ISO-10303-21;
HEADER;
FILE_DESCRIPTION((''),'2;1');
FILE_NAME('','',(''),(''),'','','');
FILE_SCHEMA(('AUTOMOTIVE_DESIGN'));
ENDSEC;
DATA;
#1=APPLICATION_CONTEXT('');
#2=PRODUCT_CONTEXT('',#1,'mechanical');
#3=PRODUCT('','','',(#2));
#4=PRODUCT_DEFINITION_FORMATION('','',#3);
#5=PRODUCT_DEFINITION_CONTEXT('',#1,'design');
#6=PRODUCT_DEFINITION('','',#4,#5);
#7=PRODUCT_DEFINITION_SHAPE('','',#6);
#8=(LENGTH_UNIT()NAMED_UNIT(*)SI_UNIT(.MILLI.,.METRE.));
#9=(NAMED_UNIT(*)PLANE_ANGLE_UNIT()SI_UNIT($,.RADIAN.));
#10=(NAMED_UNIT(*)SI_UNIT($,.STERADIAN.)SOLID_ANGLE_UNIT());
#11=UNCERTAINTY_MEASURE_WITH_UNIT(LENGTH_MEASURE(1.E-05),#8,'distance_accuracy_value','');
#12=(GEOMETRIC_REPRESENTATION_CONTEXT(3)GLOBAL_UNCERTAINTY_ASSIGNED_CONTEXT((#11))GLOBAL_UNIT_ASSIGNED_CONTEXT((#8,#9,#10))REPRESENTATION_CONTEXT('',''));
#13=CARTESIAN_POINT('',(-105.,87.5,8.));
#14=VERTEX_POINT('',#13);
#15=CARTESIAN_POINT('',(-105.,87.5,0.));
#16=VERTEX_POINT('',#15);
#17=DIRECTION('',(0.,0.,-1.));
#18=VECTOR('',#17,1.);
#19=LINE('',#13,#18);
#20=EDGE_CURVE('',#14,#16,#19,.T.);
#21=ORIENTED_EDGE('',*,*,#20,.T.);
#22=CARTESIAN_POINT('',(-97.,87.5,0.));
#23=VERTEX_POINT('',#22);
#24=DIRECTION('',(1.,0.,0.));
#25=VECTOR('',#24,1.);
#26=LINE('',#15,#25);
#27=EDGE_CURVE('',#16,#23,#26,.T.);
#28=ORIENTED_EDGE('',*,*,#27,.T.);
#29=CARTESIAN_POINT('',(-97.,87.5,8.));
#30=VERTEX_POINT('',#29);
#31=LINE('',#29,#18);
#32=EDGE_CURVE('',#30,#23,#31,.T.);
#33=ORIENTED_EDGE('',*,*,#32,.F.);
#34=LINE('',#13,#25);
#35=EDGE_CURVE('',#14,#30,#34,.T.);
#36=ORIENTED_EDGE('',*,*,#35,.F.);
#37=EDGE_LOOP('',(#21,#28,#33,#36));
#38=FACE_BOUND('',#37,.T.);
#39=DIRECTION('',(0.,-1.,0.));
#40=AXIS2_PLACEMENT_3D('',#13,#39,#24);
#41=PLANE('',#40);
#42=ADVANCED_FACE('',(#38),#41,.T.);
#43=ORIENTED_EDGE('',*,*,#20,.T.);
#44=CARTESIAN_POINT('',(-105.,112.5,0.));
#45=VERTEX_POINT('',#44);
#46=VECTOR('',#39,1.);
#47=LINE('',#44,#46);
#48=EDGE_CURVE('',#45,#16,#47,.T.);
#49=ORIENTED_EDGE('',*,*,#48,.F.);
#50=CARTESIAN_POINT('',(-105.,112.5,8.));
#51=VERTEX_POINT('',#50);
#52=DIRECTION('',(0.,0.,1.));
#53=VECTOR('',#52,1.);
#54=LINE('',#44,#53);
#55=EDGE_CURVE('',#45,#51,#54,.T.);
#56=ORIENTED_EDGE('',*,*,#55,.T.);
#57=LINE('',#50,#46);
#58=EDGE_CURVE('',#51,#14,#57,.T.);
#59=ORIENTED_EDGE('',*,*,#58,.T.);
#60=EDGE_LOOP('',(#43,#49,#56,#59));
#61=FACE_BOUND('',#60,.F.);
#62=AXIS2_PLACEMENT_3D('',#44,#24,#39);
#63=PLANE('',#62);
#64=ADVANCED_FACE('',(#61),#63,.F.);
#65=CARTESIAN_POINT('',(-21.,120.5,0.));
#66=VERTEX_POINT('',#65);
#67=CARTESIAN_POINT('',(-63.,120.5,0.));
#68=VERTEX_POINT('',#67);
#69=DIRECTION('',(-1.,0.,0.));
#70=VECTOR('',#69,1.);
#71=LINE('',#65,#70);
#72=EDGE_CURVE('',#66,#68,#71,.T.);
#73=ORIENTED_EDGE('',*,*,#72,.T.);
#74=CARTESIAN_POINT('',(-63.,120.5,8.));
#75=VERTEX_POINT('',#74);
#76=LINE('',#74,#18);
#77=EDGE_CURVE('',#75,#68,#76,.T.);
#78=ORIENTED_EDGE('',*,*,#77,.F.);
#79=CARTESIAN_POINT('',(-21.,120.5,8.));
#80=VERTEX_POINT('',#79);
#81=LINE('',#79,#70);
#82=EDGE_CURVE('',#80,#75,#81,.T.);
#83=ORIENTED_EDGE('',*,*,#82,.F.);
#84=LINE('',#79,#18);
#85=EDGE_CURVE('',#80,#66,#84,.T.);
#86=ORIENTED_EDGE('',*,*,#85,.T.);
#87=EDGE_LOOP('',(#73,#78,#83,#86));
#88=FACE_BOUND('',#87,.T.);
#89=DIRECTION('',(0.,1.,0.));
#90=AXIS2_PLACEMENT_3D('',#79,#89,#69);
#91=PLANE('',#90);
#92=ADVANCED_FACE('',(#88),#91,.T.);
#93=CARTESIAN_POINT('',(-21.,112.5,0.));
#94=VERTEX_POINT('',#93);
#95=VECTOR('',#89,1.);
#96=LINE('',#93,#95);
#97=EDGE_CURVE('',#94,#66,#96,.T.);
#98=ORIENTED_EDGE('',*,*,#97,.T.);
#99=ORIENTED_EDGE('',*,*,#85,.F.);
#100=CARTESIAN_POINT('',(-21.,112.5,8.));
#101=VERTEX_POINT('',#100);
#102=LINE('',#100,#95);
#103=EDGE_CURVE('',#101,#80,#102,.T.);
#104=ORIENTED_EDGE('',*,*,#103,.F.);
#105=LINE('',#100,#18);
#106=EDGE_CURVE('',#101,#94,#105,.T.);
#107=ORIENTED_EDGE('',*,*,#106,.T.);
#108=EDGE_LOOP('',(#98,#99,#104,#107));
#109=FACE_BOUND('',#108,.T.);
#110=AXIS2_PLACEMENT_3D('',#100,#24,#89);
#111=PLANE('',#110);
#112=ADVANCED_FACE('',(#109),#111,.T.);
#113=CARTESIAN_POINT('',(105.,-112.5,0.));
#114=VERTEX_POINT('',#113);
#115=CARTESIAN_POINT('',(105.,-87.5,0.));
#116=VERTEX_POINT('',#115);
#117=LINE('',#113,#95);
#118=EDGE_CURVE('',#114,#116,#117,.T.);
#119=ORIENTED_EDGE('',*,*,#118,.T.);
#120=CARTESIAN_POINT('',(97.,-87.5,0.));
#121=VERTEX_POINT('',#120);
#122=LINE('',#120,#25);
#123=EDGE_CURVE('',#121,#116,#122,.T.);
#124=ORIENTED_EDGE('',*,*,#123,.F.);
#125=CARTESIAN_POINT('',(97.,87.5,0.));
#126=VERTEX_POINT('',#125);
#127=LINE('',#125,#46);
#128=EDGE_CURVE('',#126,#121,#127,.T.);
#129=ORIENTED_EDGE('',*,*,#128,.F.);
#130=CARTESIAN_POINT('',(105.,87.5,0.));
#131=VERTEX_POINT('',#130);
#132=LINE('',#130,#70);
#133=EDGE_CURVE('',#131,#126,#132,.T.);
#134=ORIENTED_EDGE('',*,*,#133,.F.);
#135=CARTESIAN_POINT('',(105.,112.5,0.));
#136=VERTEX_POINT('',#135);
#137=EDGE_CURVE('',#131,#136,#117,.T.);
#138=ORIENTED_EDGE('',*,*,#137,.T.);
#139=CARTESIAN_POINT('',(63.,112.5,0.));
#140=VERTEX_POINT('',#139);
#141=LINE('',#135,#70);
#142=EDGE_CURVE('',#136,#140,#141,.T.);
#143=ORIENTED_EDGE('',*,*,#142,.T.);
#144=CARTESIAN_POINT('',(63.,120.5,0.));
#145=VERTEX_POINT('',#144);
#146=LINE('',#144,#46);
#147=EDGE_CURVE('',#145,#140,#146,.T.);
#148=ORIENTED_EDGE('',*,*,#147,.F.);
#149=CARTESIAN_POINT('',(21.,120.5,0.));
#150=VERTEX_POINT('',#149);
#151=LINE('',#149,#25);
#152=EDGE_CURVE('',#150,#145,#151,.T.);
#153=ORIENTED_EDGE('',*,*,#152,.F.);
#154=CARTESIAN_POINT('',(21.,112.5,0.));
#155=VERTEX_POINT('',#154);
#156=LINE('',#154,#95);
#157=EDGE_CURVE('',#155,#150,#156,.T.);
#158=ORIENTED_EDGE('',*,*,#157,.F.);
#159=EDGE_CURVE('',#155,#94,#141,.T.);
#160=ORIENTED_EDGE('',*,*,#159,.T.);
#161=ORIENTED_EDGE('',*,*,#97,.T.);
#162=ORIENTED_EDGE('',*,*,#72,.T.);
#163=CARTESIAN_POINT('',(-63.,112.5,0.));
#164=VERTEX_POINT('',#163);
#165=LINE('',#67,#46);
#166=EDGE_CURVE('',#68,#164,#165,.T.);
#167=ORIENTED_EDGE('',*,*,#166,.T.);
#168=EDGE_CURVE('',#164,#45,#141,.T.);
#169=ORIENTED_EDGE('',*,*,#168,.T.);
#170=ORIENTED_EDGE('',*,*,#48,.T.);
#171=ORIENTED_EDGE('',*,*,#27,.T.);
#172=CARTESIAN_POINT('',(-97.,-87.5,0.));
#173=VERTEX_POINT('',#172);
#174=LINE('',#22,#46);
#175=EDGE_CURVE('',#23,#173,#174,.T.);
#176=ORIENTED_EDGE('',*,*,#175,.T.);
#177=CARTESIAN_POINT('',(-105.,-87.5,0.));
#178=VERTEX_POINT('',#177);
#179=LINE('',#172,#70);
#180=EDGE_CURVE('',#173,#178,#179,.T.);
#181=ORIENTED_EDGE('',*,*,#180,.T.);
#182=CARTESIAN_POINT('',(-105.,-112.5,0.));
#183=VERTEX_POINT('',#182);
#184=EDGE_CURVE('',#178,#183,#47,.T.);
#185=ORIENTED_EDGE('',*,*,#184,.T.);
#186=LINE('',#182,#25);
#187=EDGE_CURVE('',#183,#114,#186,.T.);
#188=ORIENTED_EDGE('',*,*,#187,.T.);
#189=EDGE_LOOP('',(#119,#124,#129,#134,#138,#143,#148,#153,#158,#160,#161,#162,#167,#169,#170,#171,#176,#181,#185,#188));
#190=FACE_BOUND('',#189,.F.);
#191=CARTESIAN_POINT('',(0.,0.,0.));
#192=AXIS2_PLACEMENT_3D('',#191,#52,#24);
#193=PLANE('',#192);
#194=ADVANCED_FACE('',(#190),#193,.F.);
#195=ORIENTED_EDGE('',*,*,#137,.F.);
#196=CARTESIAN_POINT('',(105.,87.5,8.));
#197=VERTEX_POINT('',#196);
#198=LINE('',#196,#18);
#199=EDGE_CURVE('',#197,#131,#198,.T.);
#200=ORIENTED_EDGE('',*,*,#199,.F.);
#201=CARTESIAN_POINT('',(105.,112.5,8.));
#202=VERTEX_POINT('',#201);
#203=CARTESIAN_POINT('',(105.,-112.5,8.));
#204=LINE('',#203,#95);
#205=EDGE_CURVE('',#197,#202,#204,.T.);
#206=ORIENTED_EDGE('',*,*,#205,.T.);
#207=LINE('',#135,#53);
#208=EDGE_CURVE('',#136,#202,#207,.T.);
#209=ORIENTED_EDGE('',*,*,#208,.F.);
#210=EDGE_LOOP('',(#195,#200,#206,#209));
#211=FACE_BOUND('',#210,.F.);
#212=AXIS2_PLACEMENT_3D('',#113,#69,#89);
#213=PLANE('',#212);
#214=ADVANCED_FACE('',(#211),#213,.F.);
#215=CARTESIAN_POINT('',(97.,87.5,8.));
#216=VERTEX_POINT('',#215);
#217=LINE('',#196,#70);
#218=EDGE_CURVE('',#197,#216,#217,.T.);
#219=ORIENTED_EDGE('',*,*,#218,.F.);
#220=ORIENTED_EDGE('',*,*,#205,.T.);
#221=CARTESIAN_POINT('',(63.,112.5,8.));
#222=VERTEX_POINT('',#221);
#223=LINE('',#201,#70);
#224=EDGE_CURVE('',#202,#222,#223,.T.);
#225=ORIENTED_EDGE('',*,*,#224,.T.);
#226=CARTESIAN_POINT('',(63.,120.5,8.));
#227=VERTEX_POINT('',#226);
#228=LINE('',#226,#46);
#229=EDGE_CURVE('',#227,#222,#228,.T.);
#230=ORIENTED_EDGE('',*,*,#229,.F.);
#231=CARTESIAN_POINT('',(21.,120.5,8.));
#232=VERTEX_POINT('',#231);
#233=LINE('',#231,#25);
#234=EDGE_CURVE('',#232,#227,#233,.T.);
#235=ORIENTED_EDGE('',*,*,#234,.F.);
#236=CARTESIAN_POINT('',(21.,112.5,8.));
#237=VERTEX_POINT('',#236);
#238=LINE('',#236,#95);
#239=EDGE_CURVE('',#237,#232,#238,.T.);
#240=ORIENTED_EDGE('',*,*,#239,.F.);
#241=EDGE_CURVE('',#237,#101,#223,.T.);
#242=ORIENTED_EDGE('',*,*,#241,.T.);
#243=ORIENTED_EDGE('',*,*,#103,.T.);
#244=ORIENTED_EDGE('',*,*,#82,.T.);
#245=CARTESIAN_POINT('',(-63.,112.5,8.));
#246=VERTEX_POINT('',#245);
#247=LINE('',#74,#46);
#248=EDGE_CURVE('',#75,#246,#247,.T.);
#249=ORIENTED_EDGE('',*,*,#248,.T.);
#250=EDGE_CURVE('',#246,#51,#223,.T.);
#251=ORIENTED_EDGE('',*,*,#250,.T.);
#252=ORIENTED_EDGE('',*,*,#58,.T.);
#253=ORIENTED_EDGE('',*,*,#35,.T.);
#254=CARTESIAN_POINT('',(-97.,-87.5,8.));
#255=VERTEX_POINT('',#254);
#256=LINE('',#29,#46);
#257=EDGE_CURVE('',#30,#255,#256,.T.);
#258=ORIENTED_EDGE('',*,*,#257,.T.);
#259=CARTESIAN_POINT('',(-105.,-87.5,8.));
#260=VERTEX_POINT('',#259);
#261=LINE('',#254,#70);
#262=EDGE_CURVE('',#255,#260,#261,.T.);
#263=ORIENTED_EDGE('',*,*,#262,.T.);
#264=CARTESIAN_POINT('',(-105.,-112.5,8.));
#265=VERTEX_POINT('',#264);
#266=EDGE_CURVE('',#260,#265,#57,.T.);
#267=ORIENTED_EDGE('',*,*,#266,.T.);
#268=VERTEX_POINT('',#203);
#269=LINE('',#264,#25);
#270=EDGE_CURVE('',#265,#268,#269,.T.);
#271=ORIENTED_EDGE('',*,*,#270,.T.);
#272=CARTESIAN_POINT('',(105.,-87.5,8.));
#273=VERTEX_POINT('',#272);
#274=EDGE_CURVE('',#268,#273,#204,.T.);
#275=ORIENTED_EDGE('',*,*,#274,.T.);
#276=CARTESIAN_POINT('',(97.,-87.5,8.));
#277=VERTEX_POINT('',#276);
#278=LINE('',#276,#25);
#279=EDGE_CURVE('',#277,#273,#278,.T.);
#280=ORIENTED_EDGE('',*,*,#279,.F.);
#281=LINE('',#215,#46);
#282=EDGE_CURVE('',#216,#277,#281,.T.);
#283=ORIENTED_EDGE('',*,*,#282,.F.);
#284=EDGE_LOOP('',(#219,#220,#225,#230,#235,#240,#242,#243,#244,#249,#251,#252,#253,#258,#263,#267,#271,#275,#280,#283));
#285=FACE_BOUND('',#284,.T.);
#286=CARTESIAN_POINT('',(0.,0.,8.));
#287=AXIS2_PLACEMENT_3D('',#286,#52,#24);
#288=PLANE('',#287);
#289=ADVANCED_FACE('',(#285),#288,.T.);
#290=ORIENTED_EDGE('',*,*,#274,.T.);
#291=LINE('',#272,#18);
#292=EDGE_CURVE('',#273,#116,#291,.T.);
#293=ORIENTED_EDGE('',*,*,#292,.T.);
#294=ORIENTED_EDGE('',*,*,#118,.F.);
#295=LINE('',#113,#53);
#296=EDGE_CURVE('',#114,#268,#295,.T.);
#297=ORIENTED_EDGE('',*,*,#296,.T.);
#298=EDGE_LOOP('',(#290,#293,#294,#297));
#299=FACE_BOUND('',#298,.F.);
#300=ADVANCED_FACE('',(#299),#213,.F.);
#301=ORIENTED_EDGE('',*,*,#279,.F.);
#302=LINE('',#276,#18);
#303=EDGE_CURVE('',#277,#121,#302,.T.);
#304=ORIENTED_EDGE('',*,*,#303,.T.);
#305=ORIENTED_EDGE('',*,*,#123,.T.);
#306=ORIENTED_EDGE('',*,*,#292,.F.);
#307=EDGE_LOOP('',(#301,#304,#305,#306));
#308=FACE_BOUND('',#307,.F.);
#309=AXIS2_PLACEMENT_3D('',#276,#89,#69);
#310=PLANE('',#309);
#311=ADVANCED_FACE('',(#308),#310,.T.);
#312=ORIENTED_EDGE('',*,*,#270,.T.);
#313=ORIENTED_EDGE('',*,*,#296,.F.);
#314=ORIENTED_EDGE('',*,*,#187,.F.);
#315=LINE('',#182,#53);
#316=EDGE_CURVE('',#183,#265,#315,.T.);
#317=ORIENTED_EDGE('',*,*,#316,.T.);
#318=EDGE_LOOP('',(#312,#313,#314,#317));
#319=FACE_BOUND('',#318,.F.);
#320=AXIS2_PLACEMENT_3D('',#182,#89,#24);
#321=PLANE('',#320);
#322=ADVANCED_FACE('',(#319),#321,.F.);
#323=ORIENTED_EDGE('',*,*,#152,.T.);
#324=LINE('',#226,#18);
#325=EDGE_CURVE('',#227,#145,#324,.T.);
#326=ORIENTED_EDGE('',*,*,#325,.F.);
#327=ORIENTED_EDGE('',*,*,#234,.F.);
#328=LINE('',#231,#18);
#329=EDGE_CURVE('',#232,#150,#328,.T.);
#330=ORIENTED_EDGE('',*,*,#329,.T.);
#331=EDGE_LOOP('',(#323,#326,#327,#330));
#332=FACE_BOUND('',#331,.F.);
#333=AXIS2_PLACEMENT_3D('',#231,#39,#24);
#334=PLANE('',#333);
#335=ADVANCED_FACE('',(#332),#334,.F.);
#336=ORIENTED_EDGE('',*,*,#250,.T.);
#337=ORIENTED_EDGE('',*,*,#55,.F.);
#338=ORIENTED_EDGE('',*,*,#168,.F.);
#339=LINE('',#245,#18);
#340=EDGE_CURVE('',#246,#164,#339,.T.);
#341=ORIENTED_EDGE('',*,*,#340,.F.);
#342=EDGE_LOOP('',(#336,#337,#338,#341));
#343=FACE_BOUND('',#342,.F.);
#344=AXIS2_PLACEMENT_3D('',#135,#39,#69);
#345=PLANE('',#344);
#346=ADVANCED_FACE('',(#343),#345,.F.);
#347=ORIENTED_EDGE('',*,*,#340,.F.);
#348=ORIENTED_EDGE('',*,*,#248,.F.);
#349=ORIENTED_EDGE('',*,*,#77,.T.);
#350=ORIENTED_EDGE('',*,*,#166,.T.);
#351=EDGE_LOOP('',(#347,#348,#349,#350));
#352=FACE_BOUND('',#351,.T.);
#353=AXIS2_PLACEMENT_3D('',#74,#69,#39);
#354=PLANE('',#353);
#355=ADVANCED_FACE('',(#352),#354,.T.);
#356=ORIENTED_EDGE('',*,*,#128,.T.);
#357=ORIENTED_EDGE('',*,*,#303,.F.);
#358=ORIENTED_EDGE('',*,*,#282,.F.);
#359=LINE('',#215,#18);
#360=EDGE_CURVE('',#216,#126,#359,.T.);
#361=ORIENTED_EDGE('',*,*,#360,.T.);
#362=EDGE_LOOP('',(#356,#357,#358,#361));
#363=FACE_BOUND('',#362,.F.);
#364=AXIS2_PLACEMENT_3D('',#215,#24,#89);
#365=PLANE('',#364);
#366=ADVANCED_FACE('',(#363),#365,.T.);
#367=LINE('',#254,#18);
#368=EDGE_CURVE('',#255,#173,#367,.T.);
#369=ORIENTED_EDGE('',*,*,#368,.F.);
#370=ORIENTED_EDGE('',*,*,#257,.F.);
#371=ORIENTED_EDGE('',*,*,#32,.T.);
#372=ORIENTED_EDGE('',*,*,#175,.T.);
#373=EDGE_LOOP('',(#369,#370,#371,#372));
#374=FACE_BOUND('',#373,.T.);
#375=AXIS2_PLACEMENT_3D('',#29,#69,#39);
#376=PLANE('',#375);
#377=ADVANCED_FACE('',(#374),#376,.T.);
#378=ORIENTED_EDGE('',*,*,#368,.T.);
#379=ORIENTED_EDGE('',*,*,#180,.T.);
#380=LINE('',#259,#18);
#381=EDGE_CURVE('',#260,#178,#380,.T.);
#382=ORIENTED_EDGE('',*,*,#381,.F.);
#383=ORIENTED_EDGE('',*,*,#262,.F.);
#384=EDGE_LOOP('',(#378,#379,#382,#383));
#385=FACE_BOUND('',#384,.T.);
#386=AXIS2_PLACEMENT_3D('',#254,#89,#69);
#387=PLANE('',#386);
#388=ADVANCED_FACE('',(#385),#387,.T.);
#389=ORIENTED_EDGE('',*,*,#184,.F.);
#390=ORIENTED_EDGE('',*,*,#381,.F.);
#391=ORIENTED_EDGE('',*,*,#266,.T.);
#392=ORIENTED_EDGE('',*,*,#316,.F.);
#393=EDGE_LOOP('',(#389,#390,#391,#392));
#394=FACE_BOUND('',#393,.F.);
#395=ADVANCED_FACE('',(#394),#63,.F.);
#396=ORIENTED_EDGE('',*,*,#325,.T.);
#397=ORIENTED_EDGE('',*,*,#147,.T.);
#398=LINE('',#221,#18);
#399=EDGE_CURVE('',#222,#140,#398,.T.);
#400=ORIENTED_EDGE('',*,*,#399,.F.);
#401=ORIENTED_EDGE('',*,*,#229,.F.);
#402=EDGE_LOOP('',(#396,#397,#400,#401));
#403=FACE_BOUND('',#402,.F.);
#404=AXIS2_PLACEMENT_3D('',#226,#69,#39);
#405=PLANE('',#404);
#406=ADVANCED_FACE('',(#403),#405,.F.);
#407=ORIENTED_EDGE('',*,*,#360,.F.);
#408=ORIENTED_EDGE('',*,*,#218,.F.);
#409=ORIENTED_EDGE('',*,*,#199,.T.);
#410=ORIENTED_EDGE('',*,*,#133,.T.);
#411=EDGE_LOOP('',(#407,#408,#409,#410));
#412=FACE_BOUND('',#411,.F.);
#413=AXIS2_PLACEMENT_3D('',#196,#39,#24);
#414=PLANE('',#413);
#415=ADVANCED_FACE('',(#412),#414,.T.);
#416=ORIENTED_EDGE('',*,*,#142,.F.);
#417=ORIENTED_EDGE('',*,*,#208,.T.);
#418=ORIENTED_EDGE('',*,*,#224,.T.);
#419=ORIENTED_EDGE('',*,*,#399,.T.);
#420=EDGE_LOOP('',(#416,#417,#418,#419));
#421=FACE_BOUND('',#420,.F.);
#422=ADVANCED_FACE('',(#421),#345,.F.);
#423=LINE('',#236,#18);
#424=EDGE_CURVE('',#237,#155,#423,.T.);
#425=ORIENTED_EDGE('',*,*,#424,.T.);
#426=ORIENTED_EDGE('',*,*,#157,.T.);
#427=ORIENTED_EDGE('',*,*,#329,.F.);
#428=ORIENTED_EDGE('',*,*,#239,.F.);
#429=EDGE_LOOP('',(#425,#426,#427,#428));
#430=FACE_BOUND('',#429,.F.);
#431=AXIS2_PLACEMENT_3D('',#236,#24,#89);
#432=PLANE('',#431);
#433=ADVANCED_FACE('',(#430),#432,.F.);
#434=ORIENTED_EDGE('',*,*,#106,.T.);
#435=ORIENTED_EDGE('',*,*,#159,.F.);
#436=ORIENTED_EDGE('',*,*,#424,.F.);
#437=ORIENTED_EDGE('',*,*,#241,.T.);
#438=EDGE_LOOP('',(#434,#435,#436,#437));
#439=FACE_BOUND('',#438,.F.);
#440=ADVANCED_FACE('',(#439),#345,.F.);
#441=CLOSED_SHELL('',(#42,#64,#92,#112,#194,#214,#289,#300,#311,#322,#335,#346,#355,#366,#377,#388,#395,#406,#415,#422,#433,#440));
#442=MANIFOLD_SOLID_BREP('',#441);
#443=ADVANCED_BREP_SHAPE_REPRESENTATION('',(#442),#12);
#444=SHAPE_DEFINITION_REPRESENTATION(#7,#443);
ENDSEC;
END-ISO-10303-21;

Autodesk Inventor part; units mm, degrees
ref_plane "YZ Plane" through (0, 0, 0) normal (1, 0, 0) x (0, 1, 0)
ref_plane "XZ Plane" through (0, 0, 0) normal (0, 1, 0) x (-1, 0, 0)
ref_plane "XY Plane" through (0, 0, 0) normal (0, 0, 1) x (1, 0, 0)
sketch "Sketch2" plane through (0, 0, 0) normal (0, 0, 1) x (1, 0, 0)
  line L0 (-105, -112.5) -> (105, -112.5)
  line L1 (105, -112.5) -> (105, 112.5)
  line L2 (105, 112.5) -> (-105, 112.5)
  line L3 (-105, 112.5) -> (-105, -112.5)
  line L4 (-105, -112.5) -> (105, 112.5) construction
  line L5 (105, -112.5) -> (-105, 112.5) construction
  point P0 (0, 0)
  dimension "d11" = 225
  dimension "d12" = 210
extrude "Extrusion2" add sketch "Sketch2" along normal blind 8
sketch "Sketch3" plane through (0, 0, 8) normal (0, 0, 1) x (1, 0, 0)
  line L0 (105, 112.5) -> (-105, 112.5) projected
  line L1 (-63, 112.5) -> (-21, 112.5)
  line L2 (-21, 112.5) -> (-21, 120.5)
  line L3 (-21, 120.5) -> (-63, 120.5)
  line L4 (-63, 120.5) -> (-63, 112.5)
  line L5 (63, 112.5) -> (21, 112.5)
  line L6 (21, 112.5) -> (21, 120.5)
  line L7 (21, 120.5) -> (63, 120.5)
  line L8 (63, 120.5) -> (63, 112.5)
  line L9 (-21, 120.5) -> (21, 120.5) construction
  line L10 (63, 120.5) -> (105, 120.5) construction
  line L11 (-63, 120.5) -> (-105, 120.5) construction
  point P0 (0, 0)
  dimension "d15" = 8
extrude "Extrusion3" add sketch "Sketch3" against normal blind 8
sketch "Sketch4" plane through (0, 0, 8) normal (0, 0, 1) x (1, 0, 0)
  line L0 (-105, 112.5) -> (-105, -112.5) projected
  line L1 (-105, 87.5) -> (-97, 87.5)
  line L2 (-97, 87.5) -> (-97, -87.5)
  line L3 (-97, -87.5) -> (-105, -87.5)
  line L4 (-105, -87.5) -> (-105, 87.5)
  line L5 (-97, 87.5) -> (-97, 112.5) construction
  line L6 (-97, -87.5) -> (-97, -112.5) construction
  point P0 (0, 0)
  dimension "d20" = 8
  dimension "d21" = 25
extrude "Extrusion4" cut sketch "Sketch4" against normal blind 8
mirror "Mirror2" about plane through (0, 0, 0) normal (1, 0, 0) of "Extrusion4"
properties part number "M06 - Wall Side 1" material "Polycarbonate, Clear"
